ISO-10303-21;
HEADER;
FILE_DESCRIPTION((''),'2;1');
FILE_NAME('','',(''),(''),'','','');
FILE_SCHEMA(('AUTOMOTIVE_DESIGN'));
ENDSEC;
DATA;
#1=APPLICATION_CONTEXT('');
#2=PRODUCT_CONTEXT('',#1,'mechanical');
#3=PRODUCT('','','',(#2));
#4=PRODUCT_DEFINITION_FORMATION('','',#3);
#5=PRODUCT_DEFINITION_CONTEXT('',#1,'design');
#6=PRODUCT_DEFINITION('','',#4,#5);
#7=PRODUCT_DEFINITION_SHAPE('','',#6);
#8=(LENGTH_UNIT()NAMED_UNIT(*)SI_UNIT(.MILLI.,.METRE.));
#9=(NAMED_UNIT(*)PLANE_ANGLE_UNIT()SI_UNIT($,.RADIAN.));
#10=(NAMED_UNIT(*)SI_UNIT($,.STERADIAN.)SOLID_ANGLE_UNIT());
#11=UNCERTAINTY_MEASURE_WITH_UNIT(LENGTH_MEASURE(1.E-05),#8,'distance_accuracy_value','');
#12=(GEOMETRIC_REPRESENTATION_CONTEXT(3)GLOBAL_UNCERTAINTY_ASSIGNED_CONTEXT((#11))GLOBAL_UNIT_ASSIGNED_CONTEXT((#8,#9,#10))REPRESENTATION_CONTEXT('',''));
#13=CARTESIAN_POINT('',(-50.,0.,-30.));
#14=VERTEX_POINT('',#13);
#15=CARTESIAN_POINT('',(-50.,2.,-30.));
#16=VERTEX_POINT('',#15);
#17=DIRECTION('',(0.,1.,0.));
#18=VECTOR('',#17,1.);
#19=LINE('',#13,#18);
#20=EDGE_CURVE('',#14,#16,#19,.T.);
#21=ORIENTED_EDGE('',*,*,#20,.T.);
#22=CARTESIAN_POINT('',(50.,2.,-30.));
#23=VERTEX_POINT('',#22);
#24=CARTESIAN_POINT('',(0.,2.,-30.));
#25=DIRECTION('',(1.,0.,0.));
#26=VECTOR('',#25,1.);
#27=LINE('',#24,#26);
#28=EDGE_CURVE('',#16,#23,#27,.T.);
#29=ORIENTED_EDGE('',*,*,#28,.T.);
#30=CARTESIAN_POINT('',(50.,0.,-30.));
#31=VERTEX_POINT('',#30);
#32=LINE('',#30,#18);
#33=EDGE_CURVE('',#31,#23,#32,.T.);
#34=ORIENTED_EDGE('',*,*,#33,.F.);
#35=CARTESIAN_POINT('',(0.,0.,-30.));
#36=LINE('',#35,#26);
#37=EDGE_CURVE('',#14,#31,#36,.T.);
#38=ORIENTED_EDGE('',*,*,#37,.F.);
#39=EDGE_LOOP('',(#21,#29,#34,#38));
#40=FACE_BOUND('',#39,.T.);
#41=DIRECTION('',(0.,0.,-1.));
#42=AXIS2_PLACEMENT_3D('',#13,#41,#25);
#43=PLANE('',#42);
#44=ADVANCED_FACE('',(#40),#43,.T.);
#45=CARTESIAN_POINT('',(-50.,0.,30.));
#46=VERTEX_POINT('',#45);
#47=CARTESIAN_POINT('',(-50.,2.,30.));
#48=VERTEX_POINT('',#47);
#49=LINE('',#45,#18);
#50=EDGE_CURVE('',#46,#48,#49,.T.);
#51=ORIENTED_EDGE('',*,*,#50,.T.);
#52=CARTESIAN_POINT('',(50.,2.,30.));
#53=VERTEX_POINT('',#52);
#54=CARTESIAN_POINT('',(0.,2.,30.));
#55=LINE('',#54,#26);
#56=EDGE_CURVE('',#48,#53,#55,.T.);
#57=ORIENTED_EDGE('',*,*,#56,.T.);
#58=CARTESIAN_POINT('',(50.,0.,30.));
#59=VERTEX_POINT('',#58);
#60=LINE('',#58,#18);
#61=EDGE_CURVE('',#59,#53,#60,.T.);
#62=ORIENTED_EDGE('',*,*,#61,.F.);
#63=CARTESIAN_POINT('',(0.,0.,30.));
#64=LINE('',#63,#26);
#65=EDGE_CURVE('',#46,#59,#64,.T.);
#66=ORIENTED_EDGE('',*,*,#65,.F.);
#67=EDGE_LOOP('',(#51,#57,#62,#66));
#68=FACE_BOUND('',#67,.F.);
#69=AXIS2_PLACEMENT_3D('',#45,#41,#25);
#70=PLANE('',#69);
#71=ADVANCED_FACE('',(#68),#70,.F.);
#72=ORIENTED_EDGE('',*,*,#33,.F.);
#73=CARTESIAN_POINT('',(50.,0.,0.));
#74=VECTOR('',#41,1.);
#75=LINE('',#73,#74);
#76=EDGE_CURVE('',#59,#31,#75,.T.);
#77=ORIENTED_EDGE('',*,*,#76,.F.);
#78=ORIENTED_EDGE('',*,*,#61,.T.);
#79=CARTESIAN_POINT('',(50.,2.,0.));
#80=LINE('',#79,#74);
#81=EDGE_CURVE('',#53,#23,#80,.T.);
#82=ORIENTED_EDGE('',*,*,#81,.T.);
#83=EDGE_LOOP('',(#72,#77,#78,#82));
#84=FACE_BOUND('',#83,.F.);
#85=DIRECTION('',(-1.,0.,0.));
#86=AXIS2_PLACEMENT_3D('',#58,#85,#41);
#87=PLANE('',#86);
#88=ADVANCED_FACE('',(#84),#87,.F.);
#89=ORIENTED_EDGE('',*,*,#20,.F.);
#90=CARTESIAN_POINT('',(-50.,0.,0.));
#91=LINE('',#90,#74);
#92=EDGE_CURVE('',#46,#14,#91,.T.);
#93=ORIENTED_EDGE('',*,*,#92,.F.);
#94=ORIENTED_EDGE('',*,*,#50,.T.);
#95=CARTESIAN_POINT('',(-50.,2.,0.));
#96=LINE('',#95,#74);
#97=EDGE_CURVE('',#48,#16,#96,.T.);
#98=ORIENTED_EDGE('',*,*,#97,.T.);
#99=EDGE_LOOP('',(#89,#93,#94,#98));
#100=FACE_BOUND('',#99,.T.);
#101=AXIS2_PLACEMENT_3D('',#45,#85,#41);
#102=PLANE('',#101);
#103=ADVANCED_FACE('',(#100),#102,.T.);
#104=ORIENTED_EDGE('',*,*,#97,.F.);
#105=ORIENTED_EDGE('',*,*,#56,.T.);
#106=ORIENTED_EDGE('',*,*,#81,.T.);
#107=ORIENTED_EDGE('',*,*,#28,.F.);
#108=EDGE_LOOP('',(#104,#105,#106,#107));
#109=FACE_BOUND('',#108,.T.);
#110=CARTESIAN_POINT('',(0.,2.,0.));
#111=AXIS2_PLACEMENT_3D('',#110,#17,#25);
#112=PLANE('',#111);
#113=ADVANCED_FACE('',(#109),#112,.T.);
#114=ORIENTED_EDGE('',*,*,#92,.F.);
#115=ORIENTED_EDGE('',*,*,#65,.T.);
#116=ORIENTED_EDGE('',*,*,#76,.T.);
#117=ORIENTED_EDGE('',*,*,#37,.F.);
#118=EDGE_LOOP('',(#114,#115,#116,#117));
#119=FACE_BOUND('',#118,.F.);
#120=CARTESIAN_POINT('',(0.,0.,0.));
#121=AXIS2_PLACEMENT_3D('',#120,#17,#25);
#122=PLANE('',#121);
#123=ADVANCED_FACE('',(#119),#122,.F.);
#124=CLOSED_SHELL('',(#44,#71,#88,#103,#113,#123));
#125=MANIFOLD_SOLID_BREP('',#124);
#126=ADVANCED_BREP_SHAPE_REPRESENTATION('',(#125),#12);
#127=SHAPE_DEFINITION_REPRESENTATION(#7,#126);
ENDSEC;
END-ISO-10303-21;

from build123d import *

# Parameters (mm, degrees)
BOSS_EXTRUDE1_DEPTH = 2
SKETCH4_W           = 100
SKETCH4_H           = 60
BOSS_EXTRUDE3_DEPTH = 2


with BuildPart() as part:
    # Sketch2 → Boss-Extrude1 (new body)
    with BuildSketch(Plane(origin=(0, 0, 0), x_dir=(1, 0, 0), z_dir=(0, 1, 0))):
        with BuildLine():
            Line((-29.5, 15), (29.5, 15))
            ThreePointArc((29.5, 15), (31.621320344, 14.121320344), (32.5, 12))
            Line((32.5, 12), (32.5, -12))
            ThreePointArc((32.5, -12), (31.621320344, -14.121320344), (29.5, -15))
            Line((29.5, -15), (-29.5, -15))
            ThreePointArc((-29.5, -15), (-31.621320344, -14.121320344), (-32.5, -12))
            Line((-32.5, -12), (-32.5, 12))
            ThreePointArc((-32.5, 12), (-31.621320344, 14.121320344), (-29.5, 15))
        make_face()
    extrude(amount=BOSS_EXTRUDE1_DEPTH)

    # Sketch4 → Boss-Extrude3 (add)
    with BuildSketch(Plane(origin=(0, 0, 0), x_dir=(1, 0, 0), z_dir=(0, 1, 0))):
        Rectangle(SKETCH4_W, SKETCH4_H)
    extrude(amount=BOSS_EXTRUDE3_DEPTH)


solid = part.part
